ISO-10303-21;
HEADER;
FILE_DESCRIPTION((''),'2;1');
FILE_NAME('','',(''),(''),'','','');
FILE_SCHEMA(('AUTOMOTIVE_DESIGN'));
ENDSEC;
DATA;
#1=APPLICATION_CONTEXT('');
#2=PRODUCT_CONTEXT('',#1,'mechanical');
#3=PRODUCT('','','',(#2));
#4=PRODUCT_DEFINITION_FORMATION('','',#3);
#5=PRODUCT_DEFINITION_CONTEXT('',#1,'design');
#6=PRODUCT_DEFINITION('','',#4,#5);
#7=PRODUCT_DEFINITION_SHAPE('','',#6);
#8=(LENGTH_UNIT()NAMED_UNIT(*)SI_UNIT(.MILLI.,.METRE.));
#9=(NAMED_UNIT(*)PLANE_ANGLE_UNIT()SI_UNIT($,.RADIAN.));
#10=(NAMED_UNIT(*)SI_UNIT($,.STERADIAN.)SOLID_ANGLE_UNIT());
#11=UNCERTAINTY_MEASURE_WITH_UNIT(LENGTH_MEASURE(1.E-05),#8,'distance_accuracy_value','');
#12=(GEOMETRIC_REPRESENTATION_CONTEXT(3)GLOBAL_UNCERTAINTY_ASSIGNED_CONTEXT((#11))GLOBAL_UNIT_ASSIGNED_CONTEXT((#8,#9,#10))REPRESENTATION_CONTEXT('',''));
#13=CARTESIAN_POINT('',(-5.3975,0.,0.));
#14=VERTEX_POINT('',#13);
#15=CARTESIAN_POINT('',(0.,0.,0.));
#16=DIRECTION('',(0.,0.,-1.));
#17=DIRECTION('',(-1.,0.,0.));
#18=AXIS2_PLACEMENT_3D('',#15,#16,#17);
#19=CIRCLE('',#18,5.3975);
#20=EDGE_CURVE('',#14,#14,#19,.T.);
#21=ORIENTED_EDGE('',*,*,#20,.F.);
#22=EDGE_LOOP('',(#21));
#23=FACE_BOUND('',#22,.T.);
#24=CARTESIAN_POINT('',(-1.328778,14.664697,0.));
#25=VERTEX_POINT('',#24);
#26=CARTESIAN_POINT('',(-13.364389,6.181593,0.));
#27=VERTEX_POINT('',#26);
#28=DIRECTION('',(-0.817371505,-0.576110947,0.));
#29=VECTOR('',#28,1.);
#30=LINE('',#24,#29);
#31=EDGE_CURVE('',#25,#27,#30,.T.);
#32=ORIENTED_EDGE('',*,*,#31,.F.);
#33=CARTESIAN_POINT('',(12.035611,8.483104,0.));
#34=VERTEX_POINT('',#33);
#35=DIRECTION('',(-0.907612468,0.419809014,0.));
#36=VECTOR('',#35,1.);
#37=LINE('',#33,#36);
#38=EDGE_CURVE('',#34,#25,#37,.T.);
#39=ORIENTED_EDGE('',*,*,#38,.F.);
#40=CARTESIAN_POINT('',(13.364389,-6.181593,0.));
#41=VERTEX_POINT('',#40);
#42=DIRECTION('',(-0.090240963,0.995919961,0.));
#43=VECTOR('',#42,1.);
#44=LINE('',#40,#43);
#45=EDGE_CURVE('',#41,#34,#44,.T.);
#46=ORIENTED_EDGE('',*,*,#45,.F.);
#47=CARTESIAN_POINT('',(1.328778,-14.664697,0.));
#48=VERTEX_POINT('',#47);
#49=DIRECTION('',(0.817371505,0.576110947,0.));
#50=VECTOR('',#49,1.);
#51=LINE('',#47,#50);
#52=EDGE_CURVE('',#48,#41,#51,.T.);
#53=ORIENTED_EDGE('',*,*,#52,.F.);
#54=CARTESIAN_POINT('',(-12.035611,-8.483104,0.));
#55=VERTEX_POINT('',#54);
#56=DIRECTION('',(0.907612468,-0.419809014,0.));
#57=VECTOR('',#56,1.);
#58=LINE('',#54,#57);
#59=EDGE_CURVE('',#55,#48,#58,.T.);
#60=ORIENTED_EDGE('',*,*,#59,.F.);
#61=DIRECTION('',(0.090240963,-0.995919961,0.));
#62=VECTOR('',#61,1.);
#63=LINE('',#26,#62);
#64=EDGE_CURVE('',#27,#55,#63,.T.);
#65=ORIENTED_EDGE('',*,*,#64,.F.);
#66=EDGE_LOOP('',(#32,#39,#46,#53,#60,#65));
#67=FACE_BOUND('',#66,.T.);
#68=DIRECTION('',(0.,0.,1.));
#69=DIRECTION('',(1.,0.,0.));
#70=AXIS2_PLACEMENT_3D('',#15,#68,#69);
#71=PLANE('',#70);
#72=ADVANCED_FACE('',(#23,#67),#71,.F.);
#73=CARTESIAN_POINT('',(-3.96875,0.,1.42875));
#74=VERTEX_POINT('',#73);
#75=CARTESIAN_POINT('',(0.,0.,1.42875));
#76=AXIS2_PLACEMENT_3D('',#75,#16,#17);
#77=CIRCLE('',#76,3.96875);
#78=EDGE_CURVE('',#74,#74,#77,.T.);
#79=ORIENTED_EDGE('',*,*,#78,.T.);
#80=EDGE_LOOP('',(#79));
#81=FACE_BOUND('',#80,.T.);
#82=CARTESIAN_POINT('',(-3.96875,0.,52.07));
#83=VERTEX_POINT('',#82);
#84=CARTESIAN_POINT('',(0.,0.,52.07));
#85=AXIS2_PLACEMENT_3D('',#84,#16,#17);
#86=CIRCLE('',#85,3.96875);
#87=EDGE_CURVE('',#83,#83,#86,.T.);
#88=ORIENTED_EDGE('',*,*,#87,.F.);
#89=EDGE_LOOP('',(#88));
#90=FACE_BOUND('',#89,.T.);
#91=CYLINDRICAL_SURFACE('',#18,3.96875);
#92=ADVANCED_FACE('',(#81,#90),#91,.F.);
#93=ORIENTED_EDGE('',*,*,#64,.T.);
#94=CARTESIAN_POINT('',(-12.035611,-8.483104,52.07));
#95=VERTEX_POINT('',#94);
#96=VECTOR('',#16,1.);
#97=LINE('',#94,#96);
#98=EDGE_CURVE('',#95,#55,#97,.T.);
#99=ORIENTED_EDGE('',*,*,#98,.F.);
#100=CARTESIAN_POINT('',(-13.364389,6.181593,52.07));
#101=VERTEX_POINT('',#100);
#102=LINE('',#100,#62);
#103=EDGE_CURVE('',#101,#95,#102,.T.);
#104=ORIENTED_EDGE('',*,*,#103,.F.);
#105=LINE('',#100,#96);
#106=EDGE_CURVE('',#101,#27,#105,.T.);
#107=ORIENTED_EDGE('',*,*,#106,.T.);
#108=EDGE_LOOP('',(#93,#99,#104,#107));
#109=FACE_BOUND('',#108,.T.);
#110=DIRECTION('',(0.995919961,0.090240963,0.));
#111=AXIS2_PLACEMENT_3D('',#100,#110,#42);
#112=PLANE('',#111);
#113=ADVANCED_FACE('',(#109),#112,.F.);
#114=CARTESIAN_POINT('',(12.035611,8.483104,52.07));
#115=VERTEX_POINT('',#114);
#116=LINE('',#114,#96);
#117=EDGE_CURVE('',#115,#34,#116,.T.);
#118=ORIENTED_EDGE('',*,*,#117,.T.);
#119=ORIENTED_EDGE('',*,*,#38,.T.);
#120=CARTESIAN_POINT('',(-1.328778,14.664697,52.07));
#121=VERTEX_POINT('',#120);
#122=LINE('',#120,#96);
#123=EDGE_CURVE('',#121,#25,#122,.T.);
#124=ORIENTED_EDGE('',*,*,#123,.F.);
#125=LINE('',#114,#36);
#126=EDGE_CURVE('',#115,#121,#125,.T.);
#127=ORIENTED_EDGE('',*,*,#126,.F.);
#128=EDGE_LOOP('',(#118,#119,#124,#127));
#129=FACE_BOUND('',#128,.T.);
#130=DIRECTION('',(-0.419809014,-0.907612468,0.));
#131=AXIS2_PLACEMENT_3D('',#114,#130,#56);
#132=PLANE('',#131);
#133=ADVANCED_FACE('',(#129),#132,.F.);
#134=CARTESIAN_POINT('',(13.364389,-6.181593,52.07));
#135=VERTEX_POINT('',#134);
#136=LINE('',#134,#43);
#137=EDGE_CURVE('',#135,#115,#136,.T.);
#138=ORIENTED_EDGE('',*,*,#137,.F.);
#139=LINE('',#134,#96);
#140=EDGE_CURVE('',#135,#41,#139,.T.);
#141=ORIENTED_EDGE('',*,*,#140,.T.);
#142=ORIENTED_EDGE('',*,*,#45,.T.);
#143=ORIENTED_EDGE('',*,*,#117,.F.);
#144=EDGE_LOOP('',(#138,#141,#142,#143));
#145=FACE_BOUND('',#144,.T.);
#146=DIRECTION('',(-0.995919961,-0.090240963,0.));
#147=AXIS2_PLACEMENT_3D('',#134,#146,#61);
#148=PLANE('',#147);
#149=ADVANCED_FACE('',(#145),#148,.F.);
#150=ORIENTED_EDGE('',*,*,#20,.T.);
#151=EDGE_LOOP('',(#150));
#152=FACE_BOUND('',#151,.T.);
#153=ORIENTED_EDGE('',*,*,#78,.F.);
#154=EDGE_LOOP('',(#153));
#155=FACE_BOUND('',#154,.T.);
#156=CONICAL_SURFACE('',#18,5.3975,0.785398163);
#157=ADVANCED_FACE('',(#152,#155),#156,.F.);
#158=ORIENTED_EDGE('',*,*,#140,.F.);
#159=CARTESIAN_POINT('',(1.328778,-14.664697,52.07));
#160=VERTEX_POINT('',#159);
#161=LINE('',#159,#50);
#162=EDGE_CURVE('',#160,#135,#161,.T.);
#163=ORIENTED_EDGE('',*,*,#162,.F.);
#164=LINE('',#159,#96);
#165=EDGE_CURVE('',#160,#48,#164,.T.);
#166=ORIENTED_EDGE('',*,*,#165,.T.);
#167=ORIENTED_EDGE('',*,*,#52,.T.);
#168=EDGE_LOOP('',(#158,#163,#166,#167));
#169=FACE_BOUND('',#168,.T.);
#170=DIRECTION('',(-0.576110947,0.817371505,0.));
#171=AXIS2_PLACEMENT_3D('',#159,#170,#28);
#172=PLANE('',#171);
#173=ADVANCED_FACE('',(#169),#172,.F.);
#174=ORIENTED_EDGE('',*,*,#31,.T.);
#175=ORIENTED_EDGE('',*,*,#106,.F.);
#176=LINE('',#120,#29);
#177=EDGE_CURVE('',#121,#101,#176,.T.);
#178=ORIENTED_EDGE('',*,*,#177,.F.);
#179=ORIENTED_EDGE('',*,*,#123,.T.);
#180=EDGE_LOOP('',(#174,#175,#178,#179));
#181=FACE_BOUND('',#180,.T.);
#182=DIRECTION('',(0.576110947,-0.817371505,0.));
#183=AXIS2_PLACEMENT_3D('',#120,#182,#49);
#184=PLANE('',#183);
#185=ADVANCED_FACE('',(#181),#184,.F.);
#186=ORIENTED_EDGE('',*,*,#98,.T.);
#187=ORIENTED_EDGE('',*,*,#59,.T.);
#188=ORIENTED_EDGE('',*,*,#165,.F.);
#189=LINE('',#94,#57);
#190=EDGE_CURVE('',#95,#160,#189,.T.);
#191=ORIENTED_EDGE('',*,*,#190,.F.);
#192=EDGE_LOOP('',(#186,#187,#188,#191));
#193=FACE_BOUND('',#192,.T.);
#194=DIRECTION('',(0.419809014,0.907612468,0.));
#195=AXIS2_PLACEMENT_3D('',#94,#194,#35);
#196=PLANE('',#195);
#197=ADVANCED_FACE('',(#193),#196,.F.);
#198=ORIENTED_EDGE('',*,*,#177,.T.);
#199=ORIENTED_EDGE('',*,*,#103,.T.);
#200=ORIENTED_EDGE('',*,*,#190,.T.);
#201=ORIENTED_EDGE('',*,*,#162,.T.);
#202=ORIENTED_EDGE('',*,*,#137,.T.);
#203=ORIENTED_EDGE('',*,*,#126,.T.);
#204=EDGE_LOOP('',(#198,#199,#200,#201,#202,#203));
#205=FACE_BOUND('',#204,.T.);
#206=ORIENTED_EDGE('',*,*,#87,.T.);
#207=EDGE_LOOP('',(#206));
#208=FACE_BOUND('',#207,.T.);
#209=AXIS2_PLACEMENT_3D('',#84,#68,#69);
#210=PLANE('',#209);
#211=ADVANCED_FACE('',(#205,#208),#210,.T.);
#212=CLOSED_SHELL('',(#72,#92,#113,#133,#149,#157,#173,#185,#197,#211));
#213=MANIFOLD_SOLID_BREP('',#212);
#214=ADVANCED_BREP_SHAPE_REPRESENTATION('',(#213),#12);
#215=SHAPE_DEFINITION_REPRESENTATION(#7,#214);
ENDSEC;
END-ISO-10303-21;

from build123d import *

# Parameters (mm, degrees)
BOSS_EXTRUDE1_DEPTH               = 52.07
F_3_8_16_TAPPED_HOLE1_D           = 7.9375
F_3_8_16_TAPPED_HOLE1_CSINK_D     = 10.795
F_3_8_16_TAPPED_HOLE1_CSINK_ANGLE = 90


with BuildPart() as part:
    # Sketch1 → Boss-Extrude1 (new body)
    with BuildSketch(Plane.XY):
        Polygon((13.364388917, -6.181593058), (12.035611083, 8.483103779), (-1.328777834, 14.664696837), (-13.364388917, 6.181593058), (-12.035611083, -8.483103779), (1.328777834, -14.664696837), align=None)
    extrude(amount=BOSS_EXTRUDE1_DEPTH)

    # 3/8-16 Tapped Hole1 (through all)
    with Locations(Plane(origin=(0, 0, 0), x_dir=(-1, 0, 0), z_dir=(0, 0, -1))):
        with Locations((0, 0)):
            CounterSinkHole(F_3_8_16_TAPPED_HOLE1_D / 2, F_3_8_16_TAPPED_HOLE1_CSINK_D / 2, counter_sink_angle=F_3_8_16_TAPPED_HOLE1_CSINK_ANGLE)


solid = part.part
